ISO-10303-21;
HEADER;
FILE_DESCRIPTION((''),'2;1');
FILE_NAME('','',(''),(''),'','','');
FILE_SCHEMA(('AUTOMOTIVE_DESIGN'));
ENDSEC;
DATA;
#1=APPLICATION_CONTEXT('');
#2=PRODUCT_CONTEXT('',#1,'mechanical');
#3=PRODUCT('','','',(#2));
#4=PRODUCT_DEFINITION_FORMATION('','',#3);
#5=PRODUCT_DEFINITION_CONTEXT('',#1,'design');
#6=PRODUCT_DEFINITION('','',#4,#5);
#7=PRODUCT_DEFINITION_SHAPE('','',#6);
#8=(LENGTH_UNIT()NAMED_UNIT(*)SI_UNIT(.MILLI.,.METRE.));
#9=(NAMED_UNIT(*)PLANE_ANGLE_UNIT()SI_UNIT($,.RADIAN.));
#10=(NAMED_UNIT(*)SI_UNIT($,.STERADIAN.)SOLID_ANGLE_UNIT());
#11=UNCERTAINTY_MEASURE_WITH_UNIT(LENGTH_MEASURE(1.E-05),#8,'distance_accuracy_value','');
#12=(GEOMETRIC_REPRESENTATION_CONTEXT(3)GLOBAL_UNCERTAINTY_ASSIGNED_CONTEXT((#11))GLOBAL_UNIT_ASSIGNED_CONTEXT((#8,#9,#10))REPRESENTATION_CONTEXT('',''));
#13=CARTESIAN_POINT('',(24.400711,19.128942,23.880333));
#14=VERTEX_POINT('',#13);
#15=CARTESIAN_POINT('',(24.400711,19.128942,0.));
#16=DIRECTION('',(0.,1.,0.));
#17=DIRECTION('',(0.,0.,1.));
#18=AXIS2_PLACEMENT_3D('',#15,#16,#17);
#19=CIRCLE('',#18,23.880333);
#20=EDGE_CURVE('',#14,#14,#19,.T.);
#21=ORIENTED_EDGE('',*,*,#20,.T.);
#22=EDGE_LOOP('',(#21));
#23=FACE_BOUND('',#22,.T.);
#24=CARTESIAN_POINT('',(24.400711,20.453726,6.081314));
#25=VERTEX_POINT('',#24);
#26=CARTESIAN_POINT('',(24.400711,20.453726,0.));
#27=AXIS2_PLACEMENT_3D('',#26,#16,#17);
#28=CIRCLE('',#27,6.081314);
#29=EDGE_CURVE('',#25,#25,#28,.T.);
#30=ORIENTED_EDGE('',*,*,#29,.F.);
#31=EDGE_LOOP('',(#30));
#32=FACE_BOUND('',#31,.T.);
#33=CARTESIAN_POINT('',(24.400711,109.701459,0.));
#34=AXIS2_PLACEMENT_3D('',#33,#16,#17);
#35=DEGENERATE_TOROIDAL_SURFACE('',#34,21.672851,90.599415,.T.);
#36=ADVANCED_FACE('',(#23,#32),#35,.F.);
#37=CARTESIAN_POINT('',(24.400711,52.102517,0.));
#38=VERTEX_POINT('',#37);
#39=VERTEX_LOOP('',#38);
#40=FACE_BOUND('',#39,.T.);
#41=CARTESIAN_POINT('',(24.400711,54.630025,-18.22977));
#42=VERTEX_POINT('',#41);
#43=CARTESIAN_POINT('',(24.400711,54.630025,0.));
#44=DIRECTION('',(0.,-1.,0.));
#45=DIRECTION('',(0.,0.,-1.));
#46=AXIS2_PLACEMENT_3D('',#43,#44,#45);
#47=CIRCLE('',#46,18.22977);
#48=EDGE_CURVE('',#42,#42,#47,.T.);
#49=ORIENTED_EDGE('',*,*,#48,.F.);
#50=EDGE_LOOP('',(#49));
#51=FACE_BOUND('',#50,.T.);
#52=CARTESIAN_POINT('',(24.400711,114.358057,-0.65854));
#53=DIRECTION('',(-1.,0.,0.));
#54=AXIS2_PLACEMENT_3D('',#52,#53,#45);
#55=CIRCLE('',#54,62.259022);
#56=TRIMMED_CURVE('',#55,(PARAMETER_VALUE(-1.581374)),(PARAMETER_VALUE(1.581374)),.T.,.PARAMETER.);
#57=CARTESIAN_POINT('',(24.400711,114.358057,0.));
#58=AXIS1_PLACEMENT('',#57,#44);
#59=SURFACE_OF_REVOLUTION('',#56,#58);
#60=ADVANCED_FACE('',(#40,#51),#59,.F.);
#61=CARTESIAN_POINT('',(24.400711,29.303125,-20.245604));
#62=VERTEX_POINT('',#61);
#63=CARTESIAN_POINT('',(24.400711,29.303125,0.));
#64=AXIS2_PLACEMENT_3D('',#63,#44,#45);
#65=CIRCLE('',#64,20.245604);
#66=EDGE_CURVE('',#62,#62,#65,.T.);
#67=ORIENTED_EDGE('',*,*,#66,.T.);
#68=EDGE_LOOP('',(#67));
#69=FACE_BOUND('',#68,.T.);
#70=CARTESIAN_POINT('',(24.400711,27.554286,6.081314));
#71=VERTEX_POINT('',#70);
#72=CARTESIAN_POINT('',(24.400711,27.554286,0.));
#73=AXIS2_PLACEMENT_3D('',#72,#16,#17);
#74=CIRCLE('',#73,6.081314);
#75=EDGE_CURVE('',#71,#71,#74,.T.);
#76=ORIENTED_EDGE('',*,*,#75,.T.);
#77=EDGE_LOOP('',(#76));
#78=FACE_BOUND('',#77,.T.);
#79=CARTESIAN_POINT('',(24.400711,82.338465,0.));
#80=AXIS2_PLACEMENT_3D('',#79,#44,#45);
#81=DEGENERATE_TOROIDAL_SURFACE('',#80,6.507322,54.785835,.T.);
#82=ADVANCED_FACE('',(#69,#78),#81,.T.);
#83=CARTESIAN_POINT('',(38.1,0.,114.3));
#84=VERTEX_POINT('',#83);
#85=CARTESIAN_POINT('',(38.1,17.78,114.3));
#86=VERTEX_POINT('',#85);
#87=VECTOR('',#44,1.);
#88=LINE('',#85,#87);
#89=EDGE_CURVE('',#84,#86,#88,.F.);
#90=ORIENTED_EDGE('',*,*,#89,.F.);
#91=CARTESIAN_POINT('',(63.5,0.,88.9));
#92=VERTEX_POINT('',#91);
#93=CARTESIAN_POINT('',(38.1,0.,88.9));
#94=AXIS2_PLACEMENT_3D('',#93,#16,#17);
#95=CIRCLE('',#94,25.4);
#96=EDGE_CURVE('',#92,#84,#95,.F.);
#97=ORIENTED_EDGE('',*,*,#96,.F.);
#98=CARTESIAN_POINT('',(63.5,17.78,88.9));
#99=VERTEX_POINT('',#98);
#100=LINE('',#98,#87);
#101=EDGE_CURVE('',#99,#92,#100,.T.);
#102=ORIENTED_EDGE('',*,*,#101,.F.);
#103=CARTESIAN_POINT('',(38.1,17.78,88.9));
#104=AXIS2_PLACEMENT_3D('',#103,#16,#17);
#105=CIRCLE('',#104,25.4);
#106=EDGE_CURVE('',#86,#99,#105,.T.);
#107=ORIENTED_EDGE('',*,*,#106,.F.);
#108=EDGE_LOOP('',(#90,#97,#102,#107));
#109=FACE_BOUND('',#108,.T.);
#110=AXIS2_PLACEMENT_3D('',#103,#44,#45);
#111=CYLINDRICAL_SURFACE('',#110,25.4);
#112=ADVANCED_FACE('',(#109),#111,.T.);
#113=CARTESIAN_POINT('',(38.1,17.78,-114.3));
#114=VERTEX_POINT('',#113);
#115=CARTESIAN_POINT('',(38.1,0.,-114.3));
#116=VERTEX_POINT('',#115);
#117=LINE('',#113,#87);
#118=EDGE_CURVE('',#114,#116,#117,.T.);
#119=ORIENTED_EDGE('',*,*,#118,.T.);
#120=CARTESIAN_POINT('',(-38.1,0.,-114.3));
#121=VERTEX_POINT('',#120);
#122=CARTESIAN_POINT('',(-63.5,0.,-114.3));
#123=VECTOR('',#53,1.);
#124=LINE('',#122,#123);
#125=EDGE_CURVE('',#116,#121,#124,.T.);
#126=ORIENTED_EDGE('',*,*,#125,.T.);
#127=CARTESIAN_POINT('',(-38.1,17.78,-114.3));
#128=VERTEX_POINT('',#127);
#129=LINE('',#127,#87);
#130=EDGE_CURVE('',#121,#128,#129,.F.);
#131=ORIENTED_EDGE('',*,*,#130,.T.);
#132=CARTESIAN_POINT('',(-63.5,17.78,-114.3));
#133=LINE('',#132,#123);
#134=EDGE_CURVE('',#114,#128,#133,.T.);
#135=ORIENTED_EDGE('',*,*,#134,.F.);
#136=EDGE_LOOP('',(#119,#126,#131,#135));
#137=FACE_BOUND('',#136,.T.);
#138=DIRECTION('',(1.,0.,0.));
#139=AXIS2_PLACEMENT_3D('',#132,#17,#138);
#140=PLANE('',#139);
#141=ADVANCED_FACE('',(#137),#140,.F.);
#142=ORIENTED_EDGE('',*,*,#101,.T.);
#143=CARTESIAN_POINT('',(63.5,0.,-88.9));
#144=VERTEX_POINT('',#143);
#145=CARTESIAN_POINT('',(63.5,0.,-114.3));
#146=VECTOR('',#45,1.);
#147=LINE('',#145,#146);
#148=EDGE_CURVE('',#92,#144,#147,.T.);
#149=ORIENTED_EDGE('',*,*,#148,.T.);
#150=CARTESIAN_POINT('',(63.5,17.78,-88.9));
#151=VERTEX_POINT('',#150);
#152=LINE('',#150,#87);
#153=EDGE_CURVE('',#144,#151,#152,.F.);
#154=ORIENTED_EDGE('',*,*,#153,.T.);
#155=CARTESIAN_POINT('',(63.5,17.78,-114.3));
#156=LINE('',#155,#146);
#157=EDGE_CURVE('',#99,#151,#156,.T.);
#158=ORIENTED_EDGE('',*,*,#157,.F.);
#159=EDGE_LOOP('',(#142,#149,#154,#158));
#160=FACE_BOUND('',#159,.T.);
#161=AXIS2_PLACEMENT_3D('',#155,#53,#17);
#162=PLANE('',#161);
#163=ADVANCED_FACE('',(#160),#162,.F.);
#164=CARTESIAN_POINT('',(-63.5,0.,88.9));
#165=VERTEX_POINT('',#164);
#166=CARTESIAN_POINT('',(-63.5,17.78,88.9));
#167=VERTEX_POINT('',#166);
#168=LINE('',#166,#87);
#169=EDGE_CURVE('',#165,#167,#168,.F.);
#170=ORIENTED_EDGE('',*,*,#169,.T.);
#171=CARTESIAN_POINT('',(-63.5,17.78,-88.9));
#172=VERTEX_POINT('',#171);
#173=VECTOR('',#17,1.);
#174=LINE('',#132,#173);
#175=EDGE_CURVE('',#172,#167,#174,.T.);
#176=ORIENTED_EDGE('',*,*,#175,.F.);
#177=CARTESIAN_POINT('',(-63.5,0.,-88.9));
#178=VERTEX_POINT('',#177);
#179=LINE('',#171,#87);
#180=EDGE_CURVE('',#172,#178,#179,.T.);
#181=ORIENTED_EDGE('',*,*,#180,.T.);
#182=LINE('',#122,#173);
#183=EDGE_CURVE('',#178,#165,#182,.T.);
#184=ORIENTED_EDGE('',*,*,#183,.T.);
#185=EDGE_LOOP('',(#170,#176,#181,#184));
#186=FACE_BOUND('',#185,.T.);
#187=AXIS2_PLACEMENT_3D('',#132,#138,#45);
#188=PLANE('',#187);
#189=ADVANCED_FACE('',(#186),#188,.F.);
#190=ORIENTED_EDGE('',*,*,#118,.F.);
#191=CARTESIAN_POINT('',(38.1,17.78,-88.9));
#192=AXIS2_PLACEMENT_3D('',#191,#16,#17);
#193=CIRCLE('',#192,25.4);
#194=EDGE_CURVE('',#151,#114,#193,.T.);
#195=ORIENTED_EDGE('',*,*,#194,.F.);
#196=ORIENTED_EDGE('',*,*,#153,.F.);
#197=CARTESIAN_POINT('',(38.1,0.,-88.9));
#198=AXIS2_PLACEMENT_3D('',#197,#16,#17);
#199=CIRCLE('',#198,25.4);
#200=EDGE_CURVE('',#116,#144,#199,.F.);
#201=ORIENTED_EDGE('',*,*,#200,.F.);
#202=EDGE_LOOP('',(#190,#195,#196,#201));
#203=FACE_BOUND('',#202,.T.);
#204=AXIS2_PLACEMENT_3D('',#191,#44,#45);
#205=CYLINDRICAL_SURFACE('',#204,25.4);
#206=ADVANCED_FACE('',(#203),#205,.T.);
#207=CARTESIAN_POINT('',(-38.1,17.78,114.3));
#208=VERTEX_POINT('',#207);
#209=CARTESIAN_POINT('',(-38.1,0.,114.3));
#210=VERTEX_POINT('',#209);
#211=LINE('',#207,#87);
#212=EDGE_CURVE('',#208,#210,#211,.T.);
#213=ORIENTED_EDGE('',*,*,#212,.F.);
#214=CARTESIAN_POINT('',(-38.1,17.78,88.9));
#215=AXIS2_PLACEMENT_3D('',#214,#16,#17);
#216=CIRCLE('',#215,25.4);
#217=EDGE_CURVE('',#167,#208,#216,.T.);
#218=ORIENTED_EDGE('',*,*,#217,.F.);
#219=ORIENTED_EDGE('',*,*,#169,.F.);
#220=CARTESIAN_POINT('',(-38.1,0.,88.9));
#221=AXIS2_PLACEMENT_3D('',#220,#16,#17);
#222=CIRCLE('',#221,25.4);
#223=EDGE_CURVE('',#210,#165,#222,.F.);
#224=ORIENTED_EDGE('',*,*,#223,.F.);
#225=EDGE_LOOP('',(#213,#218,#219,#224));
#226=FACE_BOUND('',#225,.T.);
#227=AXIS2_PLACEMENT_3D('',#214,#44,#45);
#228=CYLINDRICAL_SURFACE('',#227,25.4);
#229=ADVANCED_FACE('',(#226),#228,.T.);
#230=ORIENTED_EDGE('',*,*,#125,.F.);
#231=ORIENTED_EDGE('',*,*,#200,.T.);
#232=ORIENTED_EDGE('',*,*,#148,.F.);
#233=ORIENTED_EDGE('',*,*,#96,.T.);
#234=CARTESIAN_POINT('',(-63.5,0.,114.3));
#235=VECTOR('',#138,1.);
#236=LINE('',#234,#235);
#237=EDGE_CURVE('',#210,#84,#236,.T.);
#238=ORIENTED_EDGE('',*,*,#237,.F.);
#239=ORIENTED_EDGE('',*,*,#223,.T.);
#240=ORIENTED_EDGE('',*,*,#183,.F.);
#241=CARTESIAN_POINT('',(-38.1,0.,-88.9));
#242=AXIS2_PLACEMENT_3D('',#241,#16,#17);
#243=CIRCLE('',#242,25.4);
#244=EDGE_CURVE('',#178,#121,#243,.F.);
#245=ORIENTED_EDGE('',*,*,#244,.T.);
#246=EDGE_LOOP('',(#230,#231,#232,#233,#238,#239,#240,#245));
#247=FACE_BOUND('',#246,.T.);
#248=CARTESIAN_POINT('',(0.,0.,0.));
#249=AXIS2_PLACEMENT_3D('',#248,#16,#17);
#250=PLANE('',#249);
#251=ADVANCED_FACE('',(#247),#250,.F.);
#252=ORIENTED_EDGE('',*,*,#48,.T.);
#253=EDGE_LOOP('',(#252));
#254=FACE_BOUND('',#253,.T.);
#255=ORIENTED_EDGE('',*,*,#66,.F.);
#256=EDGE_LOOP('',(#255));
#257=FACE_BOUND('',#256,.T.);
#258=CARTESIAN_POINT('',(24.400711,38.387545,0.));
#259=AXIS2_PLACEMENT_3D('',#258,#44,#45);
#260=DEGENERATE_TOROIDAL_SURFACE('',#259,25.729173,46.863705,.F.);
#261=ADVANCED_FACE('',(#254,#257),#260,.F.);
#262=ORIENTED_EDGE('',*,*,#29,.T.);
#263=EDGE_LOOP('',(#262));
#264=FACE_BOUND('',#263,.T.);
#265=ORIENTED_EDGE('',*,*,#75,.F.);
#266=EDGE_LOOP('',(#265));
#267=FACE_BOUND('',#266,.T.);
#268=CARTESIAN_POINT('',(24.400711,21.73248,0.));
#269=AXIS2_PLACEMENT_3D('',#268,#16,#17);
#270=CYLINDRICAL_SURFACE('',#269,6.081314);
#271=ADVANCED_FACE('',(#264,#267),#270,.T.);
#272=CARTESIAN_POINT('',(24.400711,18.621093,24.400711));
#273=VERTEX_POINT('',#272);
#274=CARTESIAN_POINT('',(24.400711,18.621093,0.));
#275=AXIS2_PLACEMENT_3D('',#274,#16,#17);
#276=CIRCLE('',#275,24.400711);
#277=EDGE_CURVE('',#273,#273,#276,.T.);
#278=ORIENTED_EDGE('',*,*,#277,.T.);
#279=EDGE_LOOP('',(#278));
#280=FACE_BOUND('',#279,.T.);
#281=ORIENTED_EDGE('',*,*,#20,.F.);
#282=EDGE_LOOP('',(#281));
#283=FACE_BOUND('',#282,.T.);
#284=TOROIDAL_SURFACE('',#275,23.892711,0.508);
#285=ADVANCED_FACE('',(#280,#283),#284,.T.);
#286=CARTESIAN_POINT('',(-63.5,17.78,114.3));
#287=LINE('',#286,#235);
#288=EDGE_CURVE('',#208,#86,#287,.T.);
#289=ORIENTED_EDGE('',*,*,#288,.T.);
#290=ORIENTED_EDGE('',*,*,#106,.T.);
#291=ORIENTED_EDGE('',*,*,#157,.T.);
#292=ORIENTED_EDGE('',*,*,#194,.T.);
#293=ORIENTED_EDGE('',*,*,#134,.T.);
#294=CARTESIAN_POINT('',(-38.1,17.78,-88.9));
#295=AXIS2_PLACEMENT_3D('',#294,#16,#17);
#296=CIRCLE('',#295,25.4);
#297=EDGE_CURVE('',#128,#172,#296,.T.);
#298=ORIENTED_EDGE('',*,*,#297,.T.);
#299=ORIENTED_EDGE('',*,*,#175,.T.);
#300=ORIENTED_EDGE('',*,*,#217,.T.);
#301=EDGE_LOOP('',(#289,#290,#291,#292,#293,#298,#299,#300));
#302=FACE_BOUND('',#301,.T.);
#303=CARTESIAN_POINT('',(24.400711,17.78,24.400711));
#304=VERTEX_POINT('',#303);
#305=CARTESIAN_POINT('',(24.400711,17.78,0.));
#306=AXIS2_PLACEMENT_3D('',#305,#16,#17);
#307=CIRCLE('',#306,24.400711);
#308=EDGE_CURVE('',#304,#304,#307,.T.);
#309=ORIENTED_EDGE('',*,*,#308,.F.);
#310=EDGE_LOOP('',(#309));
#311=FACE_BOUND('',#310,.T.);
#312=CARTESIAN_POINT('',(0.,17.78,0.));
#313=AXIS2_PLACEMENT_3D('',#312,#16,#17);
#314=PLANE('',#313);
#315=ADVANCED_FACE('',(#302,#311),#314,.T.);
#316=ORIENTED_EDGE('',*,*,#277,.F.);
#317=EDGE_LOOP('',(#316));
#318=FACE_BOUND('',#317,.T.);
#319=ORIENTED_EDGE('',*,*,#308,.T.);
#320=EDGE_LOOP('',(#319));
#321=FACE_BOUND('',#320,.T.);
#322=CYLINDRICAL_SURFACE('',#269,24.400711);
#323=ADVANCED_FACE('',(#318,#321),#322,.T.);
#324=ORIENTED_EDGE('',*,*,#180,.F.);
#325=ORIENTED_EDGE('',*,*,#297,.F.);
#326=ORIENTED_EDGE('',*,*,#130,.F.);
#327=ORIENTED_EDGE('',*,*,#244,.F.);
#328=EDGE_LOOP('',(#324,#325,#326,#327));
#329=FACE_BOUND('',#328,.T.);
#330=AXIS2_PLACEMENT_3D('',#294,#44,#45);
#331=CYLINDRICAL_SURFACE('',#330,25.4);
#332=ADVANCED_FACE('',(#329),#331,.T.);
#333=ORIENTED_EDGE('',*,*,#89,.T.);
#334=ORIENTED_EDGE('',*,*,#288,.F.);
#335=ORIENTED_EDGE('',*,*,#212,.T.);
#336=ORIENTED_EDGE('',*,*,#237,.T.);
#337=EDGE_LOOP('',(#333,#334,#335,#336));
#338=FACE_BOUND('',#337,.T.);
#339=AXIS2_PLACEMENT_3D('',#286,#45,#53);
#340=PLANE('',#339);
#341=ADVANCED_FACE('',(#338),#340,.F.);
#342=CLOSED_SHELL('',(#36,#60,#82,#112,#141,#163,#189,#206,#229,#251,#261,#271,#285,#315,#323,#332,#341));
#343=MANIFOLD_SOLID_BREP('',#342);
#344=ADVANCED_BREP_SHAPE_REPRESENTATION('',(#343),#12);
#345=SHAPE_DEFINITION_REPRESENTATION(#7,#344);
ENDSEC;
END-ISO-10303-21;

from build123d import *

# Parameters (mm, degrees)
SKETCH1_W           = 127
SKETCH1_H           = 228.6
BOSS_EXTRUDE1_DEPTH = 17.78
FILLET1_R           = 25.4


with BuildPart() as part:
    # Sketch1 → Boss-Extrude1 (new body)
    with BuildSketch(Plane(origin=(0, 0, 0), x_dir=(1, 0, 0), z_dir=(0, 1, 0))):
        Rectangle(SKETCH1_W, SKETCH1_H)
    extrude(amount=BOSS_EXTRUDE1_DEPTH)

    # Fillet1
    fillet1_edges = [part.edges().sort_by_distance(p)[0] for p in [
        (63.5, 8.89, 114.3),
        (-63.5, 8.89, 114.3),
        (-63.5, 8.89, -114.3),
        (63.5, 8.89, -114.3),
    ]]
    fillet(fillet1_edges, radius=FILLET1_R)

    # Sketch3 → Revolve1 (revolve)
    with BuildSketch(Plane.XY):
        with BuildLine():
            Line((24.400711068, 17.78), (0, 17.78))
            Line((0, 17.78), (0, 18.621092674))
            ThreePointArc((0, 18.621092674), (0.153192874, 18.984652715), (0.520377573, 19.12894186))
            ThreePointArc((0.520377573, 19.12894186), (9.452590015, 19.351960716), (18.319397174, 20.453726269))
            Line((18.319397174, 20.453726269), (18.319397174, 23.831447825))
            Line((18.319397174, 23.831447825), (18.319397174, 27.940464373))
            Line((18.319397174, 27.940464373), (24.400711068, 27.940464373))
            Line((24.400711068, 27.940464373), (24.400711068, 23.831447825))
            Line((24.400711068, 23.831447825), (24.400711068, 21.732479509))
            Line((24.400711068, 21.732479509), (24.400711068, 17.78))
        make_face()
    revolve(axis=Axis((24.400711068, 21.732479509, 0), (0, -1, 0)))

    # Sketch4 → Revolve2 (revolve)
    with BuildSketch(Plane.XY):
        with BuildLine():
            Line((24.400711068, 27.940464373), (24.400711068, 52.102517499))
            ThreePointArc((24.400711068, 52.102517499), (33.609505059, 52.688947823), (42.630480882, 54.630025491))
            ThreePointArc((42.630480882, 54.630025491), (45.38750409, 42.105790986), (44.646315408, 29.303124613))
            ThreePointArc((44.646315408, 29.303124613), (34.587150849, 27.67630429), (24.400711068, 27.940464373))
        make_face()
    revolve(axis=Axis((24.400711068, 27.940464373, 0), (0, 1, 0)))


solid = part.part
